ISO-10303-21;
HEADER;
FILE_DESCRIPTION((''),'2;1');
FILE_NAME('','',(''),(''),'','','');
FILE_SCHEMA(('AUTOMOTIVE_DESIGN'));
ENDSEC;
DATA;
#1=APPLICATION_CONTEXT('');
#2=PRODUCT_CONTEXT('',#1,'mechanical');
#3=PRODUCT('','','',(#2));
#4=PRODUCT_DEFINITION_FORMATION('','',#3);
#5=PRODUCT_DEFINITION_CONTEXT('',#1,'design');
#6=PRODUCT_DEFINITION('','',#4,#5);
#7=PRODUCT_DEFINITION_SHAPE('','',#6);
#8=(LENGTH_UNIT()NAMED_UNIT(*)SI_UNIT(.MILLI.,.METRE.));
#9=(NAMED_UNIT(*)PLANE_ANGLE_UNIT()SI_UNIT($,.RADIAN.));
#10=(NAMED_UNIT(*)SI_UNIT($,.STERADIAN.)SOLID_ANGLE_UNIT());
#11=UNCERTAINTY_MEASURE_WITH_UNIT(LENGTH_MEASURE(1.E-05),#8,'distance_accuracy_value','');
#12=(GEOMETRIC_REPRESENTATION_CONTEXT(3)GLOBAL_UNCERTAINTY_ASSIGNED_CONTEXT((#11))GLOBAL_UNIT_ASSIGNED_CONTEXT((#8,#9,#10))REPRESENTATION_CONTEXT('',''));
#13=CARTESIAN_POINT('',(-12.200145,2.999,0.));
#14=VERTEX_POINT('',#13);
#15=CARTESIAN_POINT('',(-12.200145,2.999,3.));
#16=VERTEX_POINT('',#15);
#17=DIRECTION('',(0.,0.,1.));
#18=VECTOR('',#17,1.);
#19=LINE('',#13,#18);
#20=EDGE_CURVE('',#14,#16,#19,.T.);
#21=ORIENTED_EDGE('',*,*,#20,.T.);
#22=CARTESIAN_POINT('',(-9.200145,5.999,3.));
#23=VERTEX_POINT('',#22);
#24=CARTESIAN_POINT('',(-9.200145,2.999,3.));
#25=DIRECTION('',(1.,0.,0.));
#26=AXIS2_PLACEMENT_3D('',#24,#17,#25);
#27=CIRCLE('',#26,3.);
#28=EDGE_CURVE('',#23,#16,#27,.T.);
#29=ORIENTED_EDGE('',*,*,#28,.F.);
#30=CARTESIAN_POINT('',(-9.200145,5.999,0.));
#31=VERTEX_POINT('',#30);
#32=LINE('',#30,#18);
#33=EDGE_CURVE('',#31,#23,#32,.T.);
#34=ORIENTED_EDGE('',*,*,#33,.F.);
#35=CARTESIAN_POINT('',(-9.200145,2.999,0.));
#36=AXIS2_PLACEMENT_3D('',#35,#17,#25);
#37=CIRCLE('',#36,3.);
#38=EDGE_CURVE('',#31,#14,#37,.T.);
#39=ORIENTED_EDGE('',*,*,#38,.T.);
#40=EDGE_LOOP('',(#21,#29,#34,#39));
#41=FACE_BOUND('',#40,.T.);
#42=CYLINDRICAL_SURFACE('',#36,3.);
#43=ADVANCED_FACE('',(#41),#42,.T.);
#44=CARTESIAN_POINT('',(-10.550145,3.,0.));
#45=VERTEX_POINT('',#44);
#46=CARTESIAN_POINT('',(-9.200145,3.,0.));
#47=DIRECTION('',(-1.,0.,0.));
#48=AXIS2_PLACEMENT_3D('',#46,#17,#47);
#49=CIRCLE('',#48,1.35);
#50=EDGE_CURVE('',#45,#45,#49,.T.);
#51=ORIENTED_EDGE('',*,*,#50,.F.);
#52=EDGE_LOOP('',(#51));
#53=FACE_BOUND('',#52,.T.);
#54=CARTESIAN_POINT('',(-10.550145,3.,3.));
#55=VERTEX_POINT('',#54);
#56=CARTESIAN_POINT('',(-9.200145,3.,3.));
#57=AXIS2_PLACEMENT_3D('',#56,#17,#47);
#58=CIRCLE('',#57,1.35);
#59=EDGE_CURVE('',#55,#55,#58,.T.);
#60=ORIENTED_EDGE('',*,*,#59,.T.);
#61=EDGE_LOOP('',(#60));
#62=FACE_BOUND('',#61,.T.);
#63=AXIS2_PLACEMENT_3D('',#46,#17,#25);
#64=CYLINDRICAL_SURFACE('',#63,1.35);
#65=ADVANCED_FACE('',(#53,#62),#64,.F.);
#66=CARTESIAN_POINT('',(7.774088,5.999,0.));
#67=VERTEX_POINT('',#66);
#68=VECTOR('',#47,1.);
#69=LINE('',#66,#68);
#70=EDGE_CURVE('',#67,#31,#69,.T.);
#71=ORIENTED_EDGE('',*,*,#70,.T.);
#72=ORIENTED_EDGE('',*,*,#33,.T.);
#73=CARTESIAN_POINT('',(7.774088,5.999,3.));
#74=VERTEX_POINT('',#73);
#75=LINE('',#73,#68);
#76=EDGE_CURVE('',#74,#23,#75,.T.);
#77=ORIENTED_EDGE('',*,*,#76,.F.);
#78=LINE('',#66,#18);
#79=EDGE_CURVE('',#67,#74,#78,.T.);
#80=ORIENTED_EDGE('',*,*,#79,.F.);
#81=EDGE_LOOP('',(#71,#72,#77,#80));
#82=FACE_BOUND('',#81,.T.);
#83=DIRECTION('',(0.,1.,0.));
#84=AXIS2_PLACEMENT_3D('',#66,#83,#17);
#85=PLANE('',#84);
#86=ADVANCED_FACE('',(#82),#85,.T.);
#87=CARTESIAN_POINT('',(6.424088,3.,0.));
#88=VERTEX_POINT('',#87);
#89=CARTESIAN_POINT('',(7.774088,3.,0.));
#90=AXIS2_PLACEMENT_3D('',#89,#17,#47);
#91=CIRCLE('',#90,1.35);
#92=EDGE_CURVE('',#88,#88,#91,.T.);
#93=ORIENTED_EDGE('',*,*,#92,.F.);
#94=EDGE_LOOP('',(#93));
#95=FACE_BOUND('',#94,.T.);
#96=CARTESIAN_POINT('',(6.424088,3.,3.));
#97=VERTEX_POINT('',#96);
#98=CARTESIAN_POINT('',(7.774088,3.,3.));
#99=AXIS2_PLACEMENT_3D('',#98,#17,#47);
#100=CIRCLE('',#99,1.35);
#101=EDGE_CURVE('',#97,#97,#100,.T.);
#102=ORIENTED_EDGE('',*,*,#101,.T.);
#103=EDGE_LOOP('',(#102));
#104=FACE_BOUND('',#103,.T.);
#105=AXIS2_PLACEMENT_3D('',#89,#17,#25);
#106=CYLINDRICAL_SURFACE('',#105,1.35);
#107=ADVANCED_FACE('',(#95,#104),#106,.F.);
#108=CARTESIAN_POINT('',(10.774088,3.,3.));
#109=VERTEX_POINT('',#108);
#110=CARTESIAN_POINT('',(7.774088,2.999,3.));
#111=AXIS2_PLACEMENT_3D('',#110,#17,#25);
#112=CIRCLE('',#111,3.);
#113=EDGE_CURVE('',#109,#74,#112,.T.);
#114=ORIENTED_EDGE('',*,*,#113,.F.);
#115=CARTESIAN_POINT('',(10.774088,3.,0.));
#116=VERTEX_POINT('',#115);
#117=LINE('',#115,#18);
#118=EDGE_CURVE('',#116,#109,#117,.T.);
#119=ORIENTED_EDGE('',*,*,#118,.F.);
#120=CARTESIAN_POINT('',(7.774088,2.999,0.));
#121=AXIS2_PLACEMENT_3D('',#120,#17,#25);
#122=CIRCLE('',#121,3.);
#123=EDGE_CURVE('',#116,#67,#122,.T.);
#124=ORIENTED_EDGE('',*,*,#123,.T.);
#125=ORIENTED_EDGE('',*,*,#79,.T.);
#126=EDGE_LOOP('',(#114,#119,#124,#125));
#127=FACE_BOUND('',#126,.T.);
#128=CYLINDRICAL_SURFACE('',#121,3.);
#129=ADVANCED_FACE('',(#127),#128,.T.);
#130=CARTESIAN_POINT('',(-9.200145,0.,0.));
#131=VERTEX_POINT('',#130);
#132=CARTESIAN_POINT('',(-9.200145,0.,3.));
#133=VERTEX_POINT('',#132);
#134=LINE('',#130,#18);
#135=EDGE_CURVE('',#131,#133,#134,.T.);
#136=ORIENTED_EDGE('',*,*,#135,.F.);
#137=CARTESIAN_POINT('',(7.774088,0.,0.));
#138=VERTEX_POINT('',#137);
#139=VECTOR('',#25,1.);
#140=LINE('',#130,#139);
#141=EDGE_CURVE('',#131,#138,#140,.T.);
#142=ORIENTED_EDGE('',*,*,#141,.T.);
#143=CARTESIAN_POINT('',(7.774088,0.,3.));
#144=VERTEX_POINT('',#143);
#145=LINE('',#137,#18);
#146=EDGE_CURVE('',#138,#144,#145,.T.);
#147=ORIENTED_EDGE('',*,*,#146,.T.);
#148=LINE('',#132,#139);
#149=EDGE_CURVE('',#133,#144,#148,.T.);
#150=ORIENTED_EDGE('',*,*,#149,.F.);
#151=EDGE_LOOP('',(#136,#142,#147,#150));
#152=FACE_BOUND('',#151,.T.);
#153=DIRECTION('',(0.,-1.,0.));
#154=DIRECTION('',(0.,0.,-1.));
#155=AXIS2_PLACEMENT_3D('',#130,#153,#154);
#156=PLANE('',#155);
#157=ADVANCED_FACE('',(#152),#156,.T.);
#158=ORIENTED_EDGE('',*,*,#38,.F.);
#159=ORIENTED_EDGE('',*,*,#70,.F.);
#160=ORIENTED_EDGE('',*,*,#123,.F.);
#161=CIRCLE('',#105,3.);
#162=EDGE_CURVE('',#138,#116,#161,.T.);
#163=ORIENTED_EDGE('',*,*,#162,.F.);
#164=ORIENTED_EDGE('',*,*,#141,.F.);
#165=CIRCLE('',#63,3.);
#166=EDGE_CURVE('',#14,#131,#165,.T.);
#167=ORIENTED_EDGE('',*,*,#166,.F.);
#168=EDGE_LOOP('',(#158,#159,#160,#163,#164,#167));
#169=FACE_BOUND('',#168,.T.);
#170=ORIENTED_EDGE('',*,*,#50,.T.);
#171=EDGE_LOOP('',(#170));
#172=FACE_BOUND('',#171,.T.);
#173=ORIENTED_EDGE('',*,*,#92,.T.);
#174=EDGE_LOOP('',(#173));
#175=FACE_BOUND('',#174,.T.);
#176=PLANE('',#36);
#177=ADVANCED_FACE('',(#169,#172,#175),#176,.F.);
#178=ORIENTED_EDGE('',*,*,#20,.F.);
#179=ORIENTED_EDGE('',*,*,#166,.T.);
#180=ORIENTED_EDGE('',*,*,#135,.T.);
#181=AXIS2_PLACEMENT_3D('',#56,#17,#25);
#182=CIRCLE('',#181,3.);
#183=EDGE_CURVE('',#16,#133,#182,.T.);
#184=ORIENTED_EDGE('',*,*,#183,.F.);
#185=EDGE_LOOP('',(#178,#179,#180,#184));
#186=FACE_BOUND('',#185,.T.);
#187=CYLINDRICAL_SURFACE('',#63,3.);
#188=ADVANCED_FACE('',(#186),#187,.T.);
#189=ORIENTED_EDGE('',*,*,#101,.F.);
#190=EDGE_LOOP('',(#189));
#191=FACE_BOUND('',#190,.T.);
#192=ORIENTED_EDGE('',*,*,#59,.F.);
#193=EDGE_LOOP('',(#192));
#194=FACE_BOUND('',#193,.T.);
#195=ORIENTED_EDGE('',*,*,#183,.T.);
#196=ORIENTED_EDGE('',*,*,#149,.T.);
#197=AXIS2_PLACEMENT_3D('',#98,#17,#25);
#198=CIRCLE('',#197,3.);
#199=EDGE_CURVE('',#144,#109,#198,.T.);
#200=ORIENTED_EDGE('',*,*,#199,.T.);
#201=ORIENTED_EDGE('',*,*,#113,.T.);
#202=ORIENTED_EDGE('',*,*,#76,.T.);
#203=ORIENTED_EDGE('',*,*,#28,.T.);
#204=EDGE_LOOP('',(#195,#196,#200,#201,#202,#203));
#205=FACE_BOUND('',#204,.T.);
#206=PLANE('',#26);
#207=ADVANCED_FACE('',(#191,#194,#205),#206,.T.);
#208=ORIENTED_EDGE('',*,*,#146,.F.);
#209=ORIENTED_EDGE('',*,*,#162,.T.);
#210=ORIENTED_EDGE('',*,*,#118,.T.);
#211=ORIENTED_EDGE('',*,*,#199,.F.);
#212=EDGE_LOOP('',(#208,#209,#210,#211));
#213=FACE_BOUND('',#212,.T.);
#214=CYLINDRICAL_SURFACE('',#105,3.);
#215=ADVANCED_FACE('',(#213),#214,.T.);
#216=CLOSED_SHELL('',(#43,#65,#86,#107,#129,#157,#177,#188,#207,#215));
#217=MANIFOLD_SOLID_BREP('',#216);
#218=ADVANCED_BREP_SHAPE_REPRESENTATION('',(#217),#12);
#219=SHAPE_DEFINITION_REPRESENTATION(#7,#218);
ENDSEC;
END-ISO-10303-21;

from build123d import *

# Parameters (mm, degrees)
SKETCH_1_R      = 1.35
EXTRUDE_1_DEPTH = 3


with BuildPart() as part:
    # 草图1 → 凸台-拉伸1 (new body)
    with BuildSketch(Plane.XY.offset(3)):
        with BuildLine():
            Line((-9.200145331, 0), (7.774087823, 0))
            ThreePointArc((7.774087823, 0), (9.895408166, 0.878679656), (10.774087823, 3))
            ThreePointArc((10.774087823, 3), (9.89505475, 5.120673867), (7.774087989, 5.999))
            Line((7.774087989, 5.999), (-9.200145164, 5.999))
            ThreePointArc((-9.200145164, 5.999), (-11.321465508, 5.120320344), (-12.200145164, 2.999))
            ThreePointArc((-12.200145164, 2.999), (-11.321112092, 0.878326133), (-9.200145331, 0))
        make_face()
        with Locations(Location((-9.200145331, 3, 0), (0, 0, 180))):
            Circle(SKETCH_1_R, mode=Mode.SUBTRACT)
        with Locations(Location((7.774087823, 3, 0), (0, 0, 180))):
            Circle(SKETCH_1_R, mode=Mode.SUBTRACT)
    extrude(amount=-EXTRUDE_1_DEPTH)


solid = part.part
